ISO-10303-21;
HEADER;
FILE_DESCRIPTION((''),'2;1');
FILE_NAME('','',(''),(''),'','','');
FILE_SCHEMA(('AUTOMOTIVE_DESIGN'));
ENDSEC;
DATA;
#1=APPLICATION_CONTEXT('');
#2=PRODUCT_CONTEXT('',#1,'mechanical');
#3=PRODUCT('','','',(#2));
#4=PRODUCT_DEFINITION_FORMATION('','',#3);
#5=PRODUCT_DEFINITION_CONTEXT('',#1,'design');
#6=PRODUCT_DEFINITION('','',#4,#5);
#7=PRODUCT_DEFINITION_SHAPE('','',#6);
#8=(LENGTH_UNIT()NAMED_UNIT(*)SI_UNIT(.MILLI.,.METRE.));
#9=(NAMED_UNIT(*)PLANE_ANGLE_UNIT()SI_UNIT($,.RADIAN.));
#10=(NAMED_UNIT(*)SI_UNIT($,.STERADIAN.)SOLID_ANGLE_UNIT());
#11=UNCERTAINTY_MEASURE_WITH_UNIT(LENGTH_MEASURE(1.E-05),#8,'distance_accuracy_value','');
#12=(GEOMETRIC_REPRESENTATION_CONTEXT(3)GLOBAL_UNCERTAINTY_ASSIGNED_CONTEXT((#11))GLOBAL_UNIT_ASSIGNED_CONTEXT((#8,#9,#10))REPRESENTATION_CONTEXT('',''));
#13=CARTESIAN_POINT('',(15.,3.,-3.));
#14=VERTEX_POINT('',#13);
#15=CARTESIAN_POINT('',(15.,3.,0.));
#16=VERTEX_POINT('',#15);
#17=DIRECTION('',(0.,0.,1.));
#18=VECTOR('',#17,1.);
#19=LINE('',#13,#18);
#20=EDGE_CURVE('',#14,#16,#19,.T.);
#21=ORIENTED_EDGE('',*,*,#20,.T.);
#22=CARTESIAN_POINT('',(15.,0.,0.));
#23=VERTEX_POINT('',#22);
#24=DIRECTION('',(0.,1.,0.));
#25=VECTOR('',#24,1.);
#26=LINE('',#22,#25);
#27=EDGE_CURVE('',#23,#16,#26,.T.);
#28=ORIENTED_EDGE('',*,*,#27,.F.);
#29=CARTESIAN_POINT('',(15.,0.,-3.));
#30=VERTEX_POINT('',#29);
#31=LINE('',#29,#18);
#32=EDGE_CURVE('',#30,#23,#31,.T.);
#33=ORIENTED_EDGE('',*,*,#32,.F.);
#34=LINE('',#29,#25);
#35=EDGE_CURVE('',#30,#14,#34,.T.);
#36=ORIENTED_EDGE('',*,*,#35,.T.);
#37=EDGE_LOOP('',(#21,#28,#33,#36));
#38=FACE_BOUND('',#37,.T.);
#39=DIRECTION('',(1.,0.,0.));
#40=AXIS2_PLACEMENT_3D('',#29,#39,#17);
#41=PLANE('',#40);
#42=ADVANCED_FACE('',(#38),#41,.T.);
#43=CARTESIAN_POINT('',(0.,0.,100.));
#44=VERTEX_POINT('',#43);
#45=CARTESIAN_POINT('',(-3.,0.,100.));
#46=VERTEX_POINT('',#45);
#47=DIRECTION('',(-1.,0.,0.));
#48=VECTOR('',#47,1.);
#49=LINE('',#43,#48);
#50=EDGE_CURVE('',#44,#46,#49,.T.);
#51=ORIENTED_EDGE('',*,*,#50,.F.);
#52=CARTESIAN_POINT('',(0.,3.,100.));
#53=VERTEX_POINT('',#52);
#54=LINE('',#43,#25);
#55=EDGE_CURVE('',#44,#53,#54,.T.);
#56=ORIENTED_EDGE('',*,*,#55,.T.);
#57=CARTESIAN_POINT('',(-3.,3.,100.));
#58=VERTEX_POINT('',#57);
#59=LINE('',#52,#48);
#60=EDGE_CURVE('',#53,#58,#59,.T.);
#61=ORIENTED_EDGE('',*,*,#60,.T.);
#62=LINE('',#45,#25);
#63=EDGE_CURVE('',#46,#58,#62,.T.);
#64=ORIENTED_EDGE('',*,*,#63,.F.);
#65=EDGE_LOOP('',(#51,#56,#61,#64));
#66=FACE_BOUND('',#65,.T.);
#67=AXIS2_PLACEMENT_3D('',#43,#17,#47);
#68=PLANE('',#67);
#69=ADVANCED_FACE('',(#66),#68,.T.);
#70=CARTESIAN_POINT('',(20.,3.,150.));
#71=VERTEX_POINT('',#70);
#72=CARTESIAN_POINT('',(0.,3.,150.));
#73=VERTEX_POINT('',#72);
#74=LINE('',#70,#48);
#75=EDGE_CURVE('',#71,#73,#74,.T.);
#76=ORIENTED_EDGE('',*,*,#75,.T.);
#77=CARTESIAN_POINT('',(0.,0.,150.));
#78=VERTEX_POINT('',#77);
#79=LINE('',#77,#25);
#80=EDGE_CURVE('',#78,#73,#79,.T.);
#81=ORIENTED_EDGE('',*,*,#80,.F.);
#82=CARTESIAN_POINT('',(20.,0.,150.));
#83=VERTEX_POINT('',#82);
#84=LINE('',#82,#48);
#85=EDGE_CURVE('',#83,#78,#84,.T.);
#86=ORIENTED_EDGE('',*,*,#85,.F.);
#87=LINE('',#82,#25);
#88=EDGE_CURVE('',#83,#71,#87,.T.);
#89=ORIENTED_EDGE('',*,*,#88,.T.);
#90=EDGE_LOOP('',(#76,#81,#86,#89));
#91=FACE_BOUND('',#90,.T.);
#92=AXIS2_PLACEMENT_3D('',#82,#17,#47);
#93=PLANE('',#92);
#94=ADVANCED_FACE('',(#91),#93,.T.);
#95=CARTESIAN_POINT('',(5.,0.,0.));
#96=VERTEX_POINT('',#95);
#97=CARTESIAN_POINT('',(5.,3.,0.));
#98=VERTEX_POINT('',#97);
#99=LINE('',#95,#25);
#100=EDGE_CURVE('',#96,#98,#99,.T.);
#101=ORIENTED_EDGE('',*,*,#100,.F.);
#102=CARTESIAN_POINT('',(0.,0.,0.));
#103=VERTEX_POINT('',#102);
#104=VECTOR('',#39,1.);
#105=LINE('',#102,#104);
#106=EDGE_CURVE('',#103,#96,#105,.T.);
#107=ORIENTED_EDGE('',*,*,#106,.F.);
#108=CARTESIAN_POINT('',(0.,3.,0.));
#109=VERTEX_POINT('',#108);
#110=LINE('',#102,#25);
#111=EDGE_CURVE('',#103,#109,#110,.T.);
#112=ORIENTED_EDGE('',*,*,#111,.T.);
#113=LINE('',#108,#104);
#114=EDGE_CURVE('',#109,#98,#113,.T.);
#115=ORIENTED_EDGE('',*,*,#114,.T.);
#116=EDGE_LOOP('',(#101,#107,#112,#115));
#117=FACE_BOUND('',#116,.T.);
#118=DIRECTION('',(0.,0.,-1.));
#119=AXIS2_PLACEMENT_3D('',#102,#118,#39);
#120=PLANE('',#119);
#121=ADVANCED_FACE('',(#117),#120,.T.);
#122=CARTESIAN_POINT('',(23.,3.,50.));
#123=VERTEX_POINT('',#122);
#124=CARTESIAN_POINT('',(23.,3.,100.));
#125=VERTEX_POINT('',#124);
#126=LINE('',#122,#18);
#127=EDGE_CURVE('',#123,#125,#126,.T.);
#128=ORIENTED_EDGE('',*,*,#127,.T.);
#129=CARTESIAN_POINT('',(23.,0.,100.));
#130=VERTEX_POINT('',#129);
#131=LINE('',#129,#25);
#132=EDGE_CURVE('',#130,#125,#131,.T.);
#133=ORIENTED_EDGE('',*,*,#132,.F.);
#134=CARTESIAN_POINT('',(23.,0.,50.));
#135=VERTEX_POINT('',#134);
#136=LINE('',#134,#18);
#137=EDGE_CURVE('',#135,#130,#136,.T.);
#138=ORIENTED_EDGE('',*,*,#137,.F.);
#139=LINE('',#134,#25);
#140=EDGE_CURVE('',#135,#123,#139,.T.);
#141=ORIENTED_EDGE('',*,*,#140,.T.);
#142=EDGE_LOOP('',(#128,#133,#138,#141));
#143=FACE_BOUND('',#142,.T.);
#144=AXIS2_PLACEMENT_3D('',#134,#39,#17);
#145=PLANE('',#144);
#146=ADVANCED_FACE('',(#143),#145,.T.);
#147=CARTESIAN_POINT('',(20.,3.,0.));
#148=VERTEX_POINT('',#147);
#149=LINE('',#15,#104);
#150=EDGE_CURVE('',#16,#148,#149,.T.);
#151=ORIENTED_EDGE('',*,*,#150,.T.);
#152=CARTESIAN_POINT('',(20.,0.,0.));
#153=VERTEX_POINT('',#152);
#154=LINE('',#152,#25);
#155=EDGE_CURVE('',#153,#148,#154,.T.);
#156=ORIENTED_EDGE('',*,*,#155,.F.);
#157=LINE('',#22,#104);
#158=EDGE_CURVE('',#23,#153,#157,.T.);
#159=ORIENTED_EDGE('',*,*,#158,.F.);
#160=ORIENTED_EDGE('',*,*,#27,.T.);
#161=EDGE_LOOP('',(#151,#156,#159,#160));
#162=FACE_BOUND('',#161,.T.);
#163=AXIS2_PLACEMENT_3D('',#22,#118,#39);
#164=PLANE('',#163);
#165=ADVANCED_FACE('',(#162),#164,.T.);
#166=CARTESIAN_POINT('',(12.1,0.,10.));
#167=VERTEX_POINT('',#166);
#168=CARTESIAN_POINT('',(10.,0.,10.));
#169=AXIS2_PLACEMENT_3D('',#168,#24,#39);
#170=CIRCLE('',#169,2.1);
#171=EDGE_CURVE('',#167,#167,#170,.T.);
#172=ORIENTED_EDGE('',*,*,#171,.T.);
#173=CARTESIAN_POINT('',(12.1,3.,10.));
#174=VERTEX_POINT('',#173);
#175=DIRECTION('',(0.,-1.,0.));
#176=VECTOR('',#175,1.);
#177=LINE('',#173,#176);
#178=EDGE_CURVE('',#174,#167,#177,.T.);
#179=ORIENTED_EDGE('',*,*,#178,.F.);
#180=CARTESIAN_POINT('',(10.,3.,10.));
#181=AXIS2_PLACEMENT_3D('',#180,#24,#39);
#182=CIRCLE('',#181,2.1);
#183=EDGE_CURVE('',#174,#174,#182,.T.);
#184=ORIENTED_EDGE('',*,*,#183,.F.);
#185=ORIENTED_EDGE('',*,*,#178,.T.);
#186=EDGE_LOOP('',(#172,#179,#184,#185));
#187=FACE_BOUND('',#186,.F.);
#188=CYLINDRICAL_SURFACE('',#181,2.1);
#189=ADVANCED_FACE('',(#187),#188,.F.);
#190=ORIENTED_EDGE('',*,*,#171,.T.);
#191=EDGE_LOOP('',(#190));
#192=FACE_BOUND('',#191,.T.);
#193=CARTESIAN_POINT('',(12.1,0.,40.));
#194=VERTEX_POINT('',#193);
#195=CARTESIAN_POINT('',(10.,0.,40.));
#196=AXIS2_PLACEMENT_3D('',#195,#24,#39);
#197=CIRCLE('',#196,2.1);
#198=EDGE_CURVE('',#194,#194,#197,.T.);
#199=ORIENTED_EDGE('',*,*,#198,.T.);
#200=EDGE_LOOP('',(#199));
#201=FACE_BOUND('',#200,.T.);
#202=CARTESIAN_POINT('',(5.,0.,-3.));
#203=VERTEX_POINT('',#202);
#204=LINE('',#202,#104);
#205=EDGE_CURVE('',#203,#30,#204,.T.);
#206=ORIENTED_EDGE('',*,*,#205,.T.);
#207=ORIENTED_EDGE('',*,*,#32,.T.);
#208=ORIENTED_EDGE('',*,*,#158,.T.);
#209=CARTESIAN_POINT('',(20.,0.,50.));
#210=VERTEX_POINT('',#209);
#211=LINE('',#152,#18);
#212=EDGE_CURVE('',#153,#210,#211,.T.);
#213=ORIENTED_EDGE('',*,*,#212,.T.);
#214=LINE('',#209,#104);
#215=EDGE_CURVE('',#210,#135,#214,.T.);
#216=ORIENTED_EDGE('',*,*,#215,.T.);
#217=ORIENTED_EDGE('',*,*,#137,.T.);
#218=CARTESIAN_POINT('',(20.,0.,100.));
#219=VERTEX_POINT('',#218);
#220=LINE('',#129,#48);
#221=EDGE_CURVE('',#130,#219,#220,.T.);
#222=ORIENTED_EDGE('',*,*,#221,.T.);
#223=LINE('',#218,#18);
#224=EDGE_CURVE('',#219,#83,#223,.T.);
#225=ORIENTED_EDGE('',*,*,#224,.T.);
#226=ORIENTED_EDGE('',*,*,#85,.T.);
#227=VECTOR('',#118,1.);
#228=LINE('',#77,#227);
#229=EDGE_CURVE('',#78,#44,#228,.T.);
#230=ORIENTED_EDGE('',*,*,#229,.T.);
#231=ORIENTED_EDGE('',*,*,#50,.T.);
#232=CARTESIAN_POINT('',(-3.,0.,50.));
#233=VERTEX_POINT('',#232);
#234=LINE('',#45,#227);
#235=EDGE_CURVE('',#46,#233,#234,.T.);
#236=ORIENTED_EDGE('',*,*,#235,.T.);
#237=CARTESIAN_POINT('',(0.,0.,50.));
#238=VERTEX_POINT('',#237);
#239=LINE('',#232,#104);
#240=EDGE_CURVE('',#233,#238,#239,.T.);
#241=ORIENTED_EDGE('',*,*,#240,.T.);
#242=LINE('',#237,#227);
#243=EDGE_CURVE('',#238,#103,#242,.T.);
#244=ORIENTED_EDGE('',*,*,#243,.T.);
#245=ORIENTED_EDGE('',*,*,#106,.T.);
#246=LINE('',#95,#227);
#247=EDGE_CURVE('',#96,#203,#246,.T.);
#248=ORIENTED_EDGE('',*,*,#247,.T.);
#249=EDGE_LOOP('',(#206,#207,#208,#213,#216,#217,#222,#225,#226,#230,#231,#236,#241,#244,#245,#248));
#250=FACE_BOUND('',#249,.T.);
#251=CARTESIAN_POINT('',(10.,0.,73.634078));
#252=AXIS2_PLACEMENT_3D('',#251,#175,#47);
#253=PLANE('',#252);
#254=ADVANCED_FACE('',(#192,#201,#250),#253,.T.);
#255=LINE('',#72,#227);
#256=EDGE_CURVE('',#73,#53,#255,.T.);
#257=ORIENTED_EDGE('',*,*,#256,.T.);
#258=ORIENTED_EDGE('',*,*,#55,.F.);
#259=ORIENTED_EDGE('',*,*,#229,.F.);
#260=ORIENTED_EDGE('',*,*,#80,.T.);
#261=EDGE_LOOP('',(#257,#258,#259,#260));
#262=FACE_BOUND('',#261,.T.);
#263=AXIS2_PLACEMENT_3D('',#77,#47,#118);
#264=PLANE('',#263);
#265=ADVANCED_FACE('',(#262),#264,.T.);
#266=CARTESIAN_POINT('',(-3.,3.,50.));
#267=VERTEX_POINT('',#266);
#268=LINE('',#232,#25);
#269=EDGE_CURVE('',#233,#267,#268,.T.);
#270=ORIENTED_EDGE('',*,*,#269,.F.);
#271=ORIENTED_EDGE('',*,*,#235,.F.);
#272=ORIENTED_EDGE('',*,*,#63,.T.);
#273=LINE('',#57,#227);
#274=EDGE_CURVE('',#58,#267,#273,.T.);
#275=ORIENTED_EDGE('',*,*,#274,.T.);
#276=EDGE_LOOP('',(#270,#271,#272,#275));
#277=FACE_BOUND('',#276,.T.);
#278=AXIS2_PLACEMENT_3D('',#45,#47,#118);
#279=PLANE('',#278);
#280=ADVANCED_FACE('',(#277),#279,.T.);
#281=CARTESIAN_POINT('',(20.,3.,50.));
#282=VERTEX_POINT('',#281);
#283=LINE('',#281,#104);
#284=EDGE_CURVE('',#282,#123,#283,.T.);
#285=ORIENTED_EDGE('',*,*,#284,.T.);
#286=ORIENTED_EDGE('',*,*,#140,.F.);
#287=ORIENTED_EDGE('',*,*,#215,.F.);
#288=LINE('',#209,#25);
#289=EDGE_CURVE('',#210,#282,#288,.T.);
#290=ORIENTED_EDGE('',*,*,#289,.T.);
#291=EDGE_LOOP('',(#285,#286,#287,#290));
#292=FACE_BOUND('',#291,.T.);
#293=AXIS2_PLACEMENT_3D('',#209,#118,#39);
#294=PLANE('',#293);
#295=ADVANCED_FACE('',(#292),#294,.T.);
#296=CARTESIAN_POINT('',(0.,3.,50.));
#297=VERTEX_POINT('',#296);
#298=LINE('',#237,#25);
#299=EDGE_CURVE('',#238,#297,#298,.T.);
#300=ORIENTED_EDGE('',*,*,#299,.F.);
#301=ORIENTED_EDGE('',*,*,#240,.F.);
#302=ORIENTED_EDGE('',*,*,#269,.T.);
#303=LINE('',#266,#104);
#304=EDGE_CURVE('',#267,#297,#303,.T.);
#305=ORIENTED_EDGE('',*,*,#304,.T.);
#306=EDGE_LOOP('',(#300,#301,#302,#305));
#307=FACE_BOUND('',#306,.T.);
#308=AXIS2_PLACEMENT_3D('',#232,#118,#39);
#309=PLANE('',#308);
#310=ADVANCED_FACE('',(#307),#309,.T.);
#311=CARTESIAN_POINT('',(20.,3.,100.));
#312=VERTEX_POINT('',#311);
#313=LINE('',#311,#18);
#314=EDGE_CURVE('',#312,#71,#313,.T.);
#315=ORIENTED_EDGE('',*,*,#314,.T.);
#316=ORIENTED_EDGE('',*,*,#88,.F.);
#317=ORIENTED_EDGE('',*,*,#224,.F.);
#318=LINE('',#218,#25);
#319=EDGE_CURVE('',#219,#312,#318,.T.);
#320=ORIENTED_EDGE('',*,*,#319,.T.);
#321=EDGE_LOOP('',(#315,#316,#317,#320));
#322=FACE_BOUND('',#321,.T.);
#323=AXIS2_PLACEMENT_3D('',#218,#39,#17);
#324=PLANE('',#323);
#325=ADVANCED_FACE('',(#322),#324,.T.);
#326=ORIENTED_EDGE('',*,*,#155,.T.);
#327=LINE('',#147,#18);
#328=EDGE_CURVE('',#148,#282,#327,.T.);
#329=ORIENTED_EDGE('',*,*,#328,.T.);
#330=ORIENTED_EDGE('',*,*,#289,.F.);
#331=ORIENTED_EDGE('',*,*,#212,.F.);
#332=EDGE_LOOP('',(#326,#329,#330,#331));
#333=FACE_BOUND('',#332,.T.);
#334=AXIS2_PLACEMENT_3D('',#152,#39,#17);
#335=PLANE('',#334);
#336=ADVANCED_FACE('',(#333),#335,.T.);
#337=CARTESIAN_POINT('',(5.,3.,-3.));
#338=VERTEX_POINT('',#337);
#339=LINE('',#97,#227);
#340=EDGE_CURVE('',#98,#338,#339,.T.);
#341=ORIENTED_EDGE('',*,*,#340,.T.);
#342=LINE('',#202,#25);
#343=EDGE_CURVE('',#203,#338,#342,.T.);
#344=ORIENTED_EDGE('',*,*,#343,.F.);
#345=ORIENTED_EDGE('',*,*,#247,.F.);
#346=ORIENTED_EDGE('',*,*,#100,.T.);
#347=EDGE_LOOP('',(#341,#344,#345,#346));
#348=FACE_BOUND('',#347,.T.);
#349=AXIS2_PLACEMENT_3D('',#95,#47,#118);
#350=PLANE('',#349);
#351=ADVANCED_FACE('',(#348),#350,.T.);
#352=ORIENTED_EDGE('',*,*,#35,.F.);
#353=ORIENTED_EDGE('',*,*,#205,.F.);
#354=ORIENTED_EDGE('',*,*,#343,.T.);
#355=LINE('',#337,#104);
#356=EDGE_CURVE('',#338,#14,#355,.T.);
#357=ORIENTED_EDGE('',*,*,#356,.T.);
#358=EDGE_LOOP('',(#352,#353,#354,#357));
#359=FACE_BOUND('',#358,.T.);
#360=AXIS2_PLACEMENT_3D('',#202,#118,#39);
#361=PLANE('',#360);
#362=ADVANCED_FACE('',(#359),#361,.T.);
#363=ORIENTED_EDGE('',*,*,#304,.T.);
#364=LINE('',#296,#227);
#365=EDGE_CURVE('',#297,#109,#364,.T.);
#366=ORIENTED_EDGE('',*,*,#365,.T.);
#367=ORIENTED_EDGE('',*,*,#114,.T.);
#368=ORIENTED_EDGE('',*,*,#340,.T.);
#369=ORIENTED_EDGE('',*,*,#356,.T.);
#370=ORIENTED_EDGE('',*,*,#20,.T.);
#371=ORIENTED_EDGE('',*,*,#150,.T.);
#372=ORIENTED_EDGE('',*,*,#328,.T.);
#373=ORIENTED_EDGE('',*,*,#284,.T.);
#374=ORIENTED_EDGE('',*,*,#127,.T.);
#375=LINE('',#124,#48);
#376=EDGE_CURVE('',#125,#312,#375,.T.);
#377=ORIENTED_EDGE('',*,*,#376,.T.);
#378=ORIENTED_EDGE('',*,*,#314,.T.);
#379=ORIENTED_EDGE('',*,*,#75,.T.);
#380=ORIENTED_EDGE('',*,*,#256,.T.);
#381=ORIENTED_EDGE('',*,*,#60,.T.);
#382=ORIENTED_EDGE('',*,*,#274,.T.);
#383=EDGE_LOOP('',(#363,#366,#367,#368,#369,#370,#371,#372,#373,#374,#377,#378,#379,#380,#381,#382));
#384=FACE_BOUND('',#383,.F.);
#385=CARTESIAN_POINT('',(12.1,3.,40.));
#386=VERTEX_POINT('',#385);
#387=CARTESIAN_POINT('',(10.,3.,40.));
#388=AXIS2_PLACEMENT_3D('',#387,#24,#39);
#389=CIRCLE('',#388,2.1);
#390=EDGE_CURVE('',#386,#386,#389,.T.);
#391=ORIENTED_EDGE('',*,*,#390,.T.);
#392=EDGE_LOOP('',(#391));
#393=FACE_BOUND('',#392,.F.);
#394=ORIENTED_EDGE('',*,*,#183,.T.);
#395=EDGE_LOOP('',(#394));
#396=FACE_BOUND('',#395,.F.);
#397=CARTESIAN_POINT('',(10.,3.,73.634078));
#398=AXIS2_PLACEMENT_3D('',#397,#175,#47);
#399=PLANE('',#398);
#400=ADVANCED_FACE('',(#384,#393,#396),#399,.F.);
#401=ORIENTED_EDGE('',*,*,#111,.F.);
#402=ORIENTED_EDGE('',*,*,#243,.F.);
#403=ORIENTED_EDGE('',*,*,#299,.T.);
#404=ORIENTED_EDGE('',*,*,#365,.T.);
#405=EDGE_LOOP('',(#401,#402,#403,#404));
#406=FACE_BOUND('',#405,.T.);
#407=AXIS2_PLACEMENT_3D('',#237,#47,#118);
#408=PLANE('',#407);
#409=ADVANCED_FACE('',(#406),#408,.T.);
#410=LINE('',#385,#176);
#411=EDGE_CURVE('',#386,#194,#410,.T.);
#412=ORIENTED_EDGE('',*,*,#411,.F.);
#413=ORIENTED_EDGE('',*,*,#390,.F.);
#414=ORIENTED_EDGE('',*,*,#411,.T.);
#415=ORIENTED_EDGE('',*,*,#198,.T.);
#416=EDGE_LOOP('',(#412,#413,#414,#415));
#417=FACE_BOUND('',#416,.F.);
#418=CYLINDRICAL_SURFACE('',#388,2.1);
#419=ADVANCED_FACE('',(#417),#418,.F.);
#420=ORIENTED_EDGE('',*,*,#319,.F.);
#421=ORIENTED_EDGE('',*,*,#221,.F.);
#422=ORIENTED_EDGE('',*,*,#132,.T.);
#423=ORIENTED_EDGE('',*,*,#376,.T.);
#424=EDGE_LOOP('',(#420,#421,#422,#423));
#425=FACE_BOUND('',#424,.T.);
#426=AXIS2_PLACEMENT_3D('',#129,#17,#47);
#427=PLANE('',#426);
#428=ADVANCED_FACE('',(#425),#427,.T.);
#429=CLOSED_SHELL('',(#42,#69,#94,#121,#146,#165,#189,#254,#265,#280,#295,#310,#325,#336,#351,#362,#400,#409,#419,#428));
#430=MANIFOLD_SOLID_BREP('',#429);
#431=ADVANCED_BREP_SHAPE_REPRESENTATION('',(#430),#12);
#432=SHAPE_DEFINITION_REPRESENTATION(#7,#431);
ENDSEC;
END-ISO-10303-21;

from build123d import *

# Parameters (mm, degrees)
BOSS_EXTRUDE1_DEPTH = 3
SKETCH2_R           = 2.1
CUT_EXTRUDE1_DEPTH  = 4


with BuildPart() as part:
    # Sketch1 → Boss-Extrude1 (new body)
    with BuildSketch(Plane(origin=(0, 0, 0), x_dir=(1, 0, 0), z_dir=(0, 1, 0))):
        Polygon((15, 0), (20, 0), (20, -50), (23, -50), (23, -100), (20, -100), (20, -150), (0, -150), (0, -100), (-3, -100), (-3, -50), (0, -50), (0, 0), (5, 0), (5, 3), (15, 3), align=None)
    extrude(amount=BOSS_EXTRUDE1_DEPTH)

    # Sketch2 → Cut-Extrude1 (cut, through all)
    with BuildSketch(Plane(origin=(0, 3, 0), x_dir=(1, 0, 0), z_dir=(0, 1, 0))):
        with Locations((10, -10)):
            Circle(SKETCH2_R)
        with Locations((10, -40)):
            Circle(SKETCH2_R)
    extrude(amount=-CUT_EXTRUDE1_DEPTH, mode=Mode.SUBTRACT)


solid = part.part
